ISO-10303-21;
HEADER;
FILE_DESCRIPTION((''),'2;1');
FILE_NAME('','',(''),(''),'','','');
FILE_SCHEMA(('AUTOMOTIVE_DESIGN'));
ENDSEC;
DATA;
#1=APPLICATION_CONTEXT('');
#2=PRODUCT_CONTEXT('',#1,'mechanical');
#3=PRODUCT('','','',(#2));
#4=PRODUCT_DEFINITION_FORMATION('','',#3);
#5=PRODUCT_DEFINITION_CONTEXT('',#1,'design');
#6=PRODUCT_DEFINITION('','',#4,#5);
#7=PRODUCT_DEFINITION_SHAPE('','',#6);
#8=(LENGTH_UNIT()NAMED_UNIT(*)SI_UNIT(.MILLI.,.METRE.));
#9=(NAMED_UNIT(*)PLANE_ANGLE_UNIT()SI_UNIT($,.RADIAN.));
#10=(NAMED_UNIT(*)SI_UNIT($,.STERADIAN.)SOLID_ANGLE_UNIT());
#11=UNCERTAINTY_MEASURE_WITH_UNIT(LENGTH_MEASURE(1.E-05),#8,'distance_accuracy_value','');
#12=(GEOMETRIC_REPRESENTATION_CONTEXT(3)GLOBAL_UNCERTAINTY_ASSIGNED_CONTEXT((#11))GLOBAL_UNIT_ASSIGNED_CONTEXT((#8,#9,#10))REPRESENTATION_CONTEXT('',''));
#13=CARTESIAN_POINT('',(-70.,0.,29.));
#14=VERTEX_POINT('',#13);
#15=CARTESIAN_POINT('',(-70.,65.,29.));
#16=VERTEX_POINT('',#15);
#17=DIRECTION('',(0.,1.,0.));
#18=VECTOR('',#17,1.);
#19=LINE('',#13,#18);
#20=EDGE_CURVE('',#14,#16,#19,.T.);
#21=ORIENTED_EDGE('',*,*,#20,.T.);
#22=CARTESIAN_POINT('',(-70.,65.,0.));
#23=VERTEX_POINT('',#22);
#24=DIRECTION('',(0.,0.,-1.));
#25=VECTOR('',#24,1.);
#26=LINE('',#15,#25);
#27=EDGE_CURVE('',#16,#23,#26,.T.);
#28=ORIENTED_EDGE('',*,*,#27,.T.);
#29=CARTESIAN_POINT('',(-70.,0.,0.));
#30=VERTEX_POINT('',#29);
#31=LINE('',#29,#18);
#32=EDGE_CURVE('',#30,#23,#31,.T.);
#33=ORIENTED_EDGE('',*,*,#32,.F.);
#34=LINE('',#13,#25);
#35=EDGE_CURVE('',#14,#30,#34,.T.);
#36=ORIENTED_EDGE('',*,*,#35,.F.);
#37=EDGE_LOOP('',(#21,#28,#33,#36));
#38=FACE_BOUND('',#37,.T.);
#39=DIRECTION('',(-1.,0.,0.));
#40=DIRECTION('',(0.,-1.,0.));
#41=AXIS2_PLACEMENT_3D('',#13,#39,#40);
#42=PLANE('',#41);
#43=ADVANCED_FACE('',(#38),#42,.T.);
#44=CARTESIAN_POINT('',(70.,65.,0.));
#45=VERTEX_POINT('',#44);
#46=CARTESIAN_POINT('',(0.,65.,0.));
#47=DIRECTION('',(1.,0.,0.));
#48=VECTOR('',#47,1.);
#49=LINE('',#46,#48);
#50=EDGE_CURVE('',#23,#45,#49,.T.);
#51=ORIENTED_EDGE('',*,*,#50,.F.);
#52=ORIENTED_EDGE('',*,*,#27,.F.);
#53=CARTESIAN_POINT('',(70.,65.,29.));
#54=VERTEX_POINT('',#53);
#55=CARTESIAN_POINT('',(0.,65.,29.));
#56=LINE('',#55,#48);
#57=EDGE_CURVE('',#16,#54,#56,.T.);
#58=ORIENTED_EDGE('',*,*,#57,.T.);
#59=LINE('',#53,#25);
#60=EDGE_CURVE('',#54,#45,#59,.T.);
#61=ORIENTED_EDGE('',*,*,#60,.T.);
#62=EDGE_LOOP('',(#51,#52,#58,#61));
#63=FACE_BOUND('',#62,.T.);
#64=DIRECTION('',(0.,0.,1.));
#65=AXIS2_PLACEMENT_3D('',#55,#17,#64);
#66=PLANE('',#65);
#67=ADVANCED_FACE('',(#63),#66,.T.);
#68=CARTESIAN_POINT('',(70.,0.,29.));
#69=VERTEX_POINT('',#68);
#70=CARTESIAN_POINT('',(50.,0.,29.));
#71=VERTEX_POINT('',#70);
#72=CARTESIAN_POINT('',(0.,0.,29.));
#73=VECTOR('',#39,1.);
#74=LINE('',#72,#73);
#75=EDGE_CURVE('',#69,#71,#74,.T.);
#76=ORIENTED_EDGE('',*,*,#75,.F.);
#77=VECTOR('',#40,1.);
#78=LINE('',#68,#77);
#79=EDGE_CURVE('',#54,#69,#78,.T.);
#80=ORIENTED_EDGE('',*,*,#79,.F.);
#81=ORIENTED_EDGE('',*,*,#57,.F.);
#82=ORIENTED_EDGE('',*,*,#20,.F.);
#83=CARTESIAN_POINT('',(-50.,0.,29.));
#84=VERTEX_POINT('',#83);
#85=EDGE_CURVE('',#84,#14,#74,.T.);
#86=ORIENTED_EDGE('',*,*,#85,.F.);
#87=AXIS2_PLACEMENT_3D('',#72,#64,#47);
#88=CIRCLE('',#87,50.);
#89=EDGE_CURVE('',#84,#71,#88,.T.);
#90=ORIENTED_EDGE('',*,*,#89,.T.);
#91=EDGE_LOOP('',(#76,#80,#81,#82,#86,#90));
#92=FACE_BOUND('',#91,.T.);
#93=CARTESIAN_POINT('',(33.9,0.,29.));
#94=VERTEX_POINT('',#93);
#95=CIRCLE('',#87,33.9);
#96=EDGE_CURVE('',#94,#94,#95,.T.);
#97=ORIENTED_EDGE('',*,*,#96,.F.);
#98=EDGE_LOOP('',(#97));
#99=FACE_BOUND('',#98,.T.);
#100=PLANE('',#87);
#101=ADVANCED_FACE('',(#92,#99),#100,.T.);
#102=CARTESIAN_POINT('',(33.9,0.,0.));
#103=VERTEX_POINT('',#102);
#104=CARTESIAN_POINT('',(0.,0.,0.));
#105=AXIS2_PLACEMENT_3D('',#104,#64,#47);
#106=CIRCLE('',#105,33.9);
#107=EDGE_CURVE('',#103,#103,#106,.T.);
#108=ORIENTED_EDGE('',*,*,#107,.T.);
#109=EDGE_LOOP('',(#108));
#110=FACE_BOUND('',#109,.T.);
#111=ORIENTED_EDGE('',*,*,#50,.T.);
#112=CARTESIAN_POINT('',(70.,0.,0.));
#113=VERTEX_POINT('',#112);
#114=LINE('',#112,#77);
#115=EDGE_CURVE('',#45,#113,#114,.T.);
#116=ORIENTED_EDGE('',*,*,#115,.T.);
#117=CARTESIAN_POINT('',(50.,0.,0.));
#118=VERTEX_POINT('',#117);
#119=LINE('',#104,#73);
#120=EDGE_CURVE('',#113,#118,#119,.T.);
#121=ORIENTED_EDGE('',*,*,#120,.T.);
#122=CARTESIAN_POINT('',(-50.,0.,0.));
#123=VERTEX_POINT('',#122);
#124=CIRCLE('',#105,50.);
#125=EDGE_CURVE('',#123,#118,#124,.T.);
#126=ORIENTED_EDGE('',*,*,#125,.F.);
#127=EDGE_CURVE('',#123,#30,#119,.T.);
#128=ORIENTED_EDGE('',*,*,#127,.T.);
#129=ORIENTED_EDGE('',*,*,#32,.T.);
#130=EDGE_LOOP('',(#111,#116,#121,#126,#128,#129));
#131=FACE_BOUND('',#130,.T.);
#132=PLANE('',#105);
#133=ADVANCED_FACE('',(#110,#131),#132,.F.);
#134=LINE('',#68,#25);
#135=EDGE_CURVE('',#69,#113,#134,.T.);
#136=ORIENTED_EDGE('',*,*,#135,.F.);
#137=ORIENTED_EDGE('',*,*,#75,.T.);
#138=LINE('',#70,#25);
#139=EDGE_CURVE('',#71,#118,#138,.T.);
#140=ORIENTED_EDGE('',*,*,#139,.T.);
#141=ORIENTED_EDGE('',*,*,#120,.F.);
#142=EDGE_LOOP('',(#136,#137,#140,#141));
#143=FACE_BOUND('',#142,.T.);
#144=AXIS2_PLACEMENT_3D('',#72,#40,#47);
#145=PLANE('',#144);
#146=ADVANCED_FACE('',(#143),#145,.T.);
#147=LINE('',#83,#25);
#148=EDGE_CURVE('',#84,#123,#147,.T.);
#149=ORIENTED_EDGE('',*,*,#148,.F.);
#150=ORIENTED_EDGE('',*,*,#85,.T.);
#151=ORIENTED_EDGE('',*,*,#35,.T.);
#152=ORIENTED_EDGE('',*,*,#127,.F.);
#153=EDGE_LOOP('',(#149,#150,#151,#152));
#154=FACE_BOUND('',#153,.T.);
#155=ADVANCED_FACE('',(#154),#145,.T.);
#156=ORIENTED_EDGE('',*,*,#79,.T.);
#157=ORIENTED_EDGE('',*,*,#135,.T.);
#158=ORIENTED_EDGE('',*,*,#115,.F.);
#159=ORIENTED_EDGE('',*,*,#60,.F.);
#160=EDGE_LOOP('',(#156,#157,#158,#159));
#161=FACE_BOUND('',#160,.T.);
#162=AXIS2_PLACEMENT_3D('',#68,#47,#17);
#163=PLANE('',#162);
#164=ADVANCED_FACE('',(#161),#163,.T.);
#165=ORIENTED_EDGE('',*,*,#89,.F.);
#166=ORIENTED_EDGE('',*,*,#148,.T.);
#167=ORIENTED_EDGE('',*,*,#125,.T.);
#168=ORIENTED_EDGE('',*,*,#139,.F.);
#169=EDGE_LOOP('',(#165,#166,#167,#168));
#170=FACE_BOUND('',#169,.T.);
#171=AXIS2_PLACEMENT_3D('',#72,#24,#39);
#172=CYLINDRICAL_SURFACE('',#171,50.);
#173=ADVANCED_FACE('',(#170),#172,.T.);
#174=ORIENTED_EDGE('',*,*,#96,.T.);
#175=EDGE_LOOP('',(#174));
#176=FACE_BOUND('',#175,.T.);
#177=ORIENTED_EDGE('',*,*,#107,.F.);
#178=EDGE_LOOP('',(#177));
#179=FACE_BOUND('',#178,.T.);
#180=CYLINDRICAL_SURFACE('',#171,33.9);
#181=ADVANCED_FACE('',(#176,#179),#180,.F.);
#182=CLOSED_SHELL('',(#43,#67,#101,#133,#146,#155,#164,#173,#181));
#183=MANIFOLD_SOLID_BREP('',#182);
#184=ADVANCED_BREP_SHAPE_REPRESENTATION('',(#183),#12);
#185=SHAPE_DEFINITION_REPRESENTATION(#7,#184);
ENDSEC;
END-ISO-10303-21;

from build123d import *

# Parameters (mm, degrees)
SKETCH_1_R      = 50
SKETCH_1_R_2    = 33.9
EXTRUDE_1_DEPTH = 29


with BuildPart() as part:
    # Эскиз1 → Бобышка-Вытянуть1 (new body)
    with BuildSketch(Plane.XY):
        Circle(SKETCH_1_R)
        Circle(SKETCH_1_R_2, mode=Mode.SUBTRACT)
        with BuildLine():
            Line((70, 65), (-70, 65))
            Line((-70, 65), (-70, 0))
            Line((-70, 0), (-50, 0))
            ThreePointArc((-50, 0), (0, 50), (50, 0))
            Line((50, 0), (70, 0))
            Line((70, 0), (70, 65))
        make_face()
    extrude(amount=EXTRUDE_1_DEPTH)


solid = part.part
